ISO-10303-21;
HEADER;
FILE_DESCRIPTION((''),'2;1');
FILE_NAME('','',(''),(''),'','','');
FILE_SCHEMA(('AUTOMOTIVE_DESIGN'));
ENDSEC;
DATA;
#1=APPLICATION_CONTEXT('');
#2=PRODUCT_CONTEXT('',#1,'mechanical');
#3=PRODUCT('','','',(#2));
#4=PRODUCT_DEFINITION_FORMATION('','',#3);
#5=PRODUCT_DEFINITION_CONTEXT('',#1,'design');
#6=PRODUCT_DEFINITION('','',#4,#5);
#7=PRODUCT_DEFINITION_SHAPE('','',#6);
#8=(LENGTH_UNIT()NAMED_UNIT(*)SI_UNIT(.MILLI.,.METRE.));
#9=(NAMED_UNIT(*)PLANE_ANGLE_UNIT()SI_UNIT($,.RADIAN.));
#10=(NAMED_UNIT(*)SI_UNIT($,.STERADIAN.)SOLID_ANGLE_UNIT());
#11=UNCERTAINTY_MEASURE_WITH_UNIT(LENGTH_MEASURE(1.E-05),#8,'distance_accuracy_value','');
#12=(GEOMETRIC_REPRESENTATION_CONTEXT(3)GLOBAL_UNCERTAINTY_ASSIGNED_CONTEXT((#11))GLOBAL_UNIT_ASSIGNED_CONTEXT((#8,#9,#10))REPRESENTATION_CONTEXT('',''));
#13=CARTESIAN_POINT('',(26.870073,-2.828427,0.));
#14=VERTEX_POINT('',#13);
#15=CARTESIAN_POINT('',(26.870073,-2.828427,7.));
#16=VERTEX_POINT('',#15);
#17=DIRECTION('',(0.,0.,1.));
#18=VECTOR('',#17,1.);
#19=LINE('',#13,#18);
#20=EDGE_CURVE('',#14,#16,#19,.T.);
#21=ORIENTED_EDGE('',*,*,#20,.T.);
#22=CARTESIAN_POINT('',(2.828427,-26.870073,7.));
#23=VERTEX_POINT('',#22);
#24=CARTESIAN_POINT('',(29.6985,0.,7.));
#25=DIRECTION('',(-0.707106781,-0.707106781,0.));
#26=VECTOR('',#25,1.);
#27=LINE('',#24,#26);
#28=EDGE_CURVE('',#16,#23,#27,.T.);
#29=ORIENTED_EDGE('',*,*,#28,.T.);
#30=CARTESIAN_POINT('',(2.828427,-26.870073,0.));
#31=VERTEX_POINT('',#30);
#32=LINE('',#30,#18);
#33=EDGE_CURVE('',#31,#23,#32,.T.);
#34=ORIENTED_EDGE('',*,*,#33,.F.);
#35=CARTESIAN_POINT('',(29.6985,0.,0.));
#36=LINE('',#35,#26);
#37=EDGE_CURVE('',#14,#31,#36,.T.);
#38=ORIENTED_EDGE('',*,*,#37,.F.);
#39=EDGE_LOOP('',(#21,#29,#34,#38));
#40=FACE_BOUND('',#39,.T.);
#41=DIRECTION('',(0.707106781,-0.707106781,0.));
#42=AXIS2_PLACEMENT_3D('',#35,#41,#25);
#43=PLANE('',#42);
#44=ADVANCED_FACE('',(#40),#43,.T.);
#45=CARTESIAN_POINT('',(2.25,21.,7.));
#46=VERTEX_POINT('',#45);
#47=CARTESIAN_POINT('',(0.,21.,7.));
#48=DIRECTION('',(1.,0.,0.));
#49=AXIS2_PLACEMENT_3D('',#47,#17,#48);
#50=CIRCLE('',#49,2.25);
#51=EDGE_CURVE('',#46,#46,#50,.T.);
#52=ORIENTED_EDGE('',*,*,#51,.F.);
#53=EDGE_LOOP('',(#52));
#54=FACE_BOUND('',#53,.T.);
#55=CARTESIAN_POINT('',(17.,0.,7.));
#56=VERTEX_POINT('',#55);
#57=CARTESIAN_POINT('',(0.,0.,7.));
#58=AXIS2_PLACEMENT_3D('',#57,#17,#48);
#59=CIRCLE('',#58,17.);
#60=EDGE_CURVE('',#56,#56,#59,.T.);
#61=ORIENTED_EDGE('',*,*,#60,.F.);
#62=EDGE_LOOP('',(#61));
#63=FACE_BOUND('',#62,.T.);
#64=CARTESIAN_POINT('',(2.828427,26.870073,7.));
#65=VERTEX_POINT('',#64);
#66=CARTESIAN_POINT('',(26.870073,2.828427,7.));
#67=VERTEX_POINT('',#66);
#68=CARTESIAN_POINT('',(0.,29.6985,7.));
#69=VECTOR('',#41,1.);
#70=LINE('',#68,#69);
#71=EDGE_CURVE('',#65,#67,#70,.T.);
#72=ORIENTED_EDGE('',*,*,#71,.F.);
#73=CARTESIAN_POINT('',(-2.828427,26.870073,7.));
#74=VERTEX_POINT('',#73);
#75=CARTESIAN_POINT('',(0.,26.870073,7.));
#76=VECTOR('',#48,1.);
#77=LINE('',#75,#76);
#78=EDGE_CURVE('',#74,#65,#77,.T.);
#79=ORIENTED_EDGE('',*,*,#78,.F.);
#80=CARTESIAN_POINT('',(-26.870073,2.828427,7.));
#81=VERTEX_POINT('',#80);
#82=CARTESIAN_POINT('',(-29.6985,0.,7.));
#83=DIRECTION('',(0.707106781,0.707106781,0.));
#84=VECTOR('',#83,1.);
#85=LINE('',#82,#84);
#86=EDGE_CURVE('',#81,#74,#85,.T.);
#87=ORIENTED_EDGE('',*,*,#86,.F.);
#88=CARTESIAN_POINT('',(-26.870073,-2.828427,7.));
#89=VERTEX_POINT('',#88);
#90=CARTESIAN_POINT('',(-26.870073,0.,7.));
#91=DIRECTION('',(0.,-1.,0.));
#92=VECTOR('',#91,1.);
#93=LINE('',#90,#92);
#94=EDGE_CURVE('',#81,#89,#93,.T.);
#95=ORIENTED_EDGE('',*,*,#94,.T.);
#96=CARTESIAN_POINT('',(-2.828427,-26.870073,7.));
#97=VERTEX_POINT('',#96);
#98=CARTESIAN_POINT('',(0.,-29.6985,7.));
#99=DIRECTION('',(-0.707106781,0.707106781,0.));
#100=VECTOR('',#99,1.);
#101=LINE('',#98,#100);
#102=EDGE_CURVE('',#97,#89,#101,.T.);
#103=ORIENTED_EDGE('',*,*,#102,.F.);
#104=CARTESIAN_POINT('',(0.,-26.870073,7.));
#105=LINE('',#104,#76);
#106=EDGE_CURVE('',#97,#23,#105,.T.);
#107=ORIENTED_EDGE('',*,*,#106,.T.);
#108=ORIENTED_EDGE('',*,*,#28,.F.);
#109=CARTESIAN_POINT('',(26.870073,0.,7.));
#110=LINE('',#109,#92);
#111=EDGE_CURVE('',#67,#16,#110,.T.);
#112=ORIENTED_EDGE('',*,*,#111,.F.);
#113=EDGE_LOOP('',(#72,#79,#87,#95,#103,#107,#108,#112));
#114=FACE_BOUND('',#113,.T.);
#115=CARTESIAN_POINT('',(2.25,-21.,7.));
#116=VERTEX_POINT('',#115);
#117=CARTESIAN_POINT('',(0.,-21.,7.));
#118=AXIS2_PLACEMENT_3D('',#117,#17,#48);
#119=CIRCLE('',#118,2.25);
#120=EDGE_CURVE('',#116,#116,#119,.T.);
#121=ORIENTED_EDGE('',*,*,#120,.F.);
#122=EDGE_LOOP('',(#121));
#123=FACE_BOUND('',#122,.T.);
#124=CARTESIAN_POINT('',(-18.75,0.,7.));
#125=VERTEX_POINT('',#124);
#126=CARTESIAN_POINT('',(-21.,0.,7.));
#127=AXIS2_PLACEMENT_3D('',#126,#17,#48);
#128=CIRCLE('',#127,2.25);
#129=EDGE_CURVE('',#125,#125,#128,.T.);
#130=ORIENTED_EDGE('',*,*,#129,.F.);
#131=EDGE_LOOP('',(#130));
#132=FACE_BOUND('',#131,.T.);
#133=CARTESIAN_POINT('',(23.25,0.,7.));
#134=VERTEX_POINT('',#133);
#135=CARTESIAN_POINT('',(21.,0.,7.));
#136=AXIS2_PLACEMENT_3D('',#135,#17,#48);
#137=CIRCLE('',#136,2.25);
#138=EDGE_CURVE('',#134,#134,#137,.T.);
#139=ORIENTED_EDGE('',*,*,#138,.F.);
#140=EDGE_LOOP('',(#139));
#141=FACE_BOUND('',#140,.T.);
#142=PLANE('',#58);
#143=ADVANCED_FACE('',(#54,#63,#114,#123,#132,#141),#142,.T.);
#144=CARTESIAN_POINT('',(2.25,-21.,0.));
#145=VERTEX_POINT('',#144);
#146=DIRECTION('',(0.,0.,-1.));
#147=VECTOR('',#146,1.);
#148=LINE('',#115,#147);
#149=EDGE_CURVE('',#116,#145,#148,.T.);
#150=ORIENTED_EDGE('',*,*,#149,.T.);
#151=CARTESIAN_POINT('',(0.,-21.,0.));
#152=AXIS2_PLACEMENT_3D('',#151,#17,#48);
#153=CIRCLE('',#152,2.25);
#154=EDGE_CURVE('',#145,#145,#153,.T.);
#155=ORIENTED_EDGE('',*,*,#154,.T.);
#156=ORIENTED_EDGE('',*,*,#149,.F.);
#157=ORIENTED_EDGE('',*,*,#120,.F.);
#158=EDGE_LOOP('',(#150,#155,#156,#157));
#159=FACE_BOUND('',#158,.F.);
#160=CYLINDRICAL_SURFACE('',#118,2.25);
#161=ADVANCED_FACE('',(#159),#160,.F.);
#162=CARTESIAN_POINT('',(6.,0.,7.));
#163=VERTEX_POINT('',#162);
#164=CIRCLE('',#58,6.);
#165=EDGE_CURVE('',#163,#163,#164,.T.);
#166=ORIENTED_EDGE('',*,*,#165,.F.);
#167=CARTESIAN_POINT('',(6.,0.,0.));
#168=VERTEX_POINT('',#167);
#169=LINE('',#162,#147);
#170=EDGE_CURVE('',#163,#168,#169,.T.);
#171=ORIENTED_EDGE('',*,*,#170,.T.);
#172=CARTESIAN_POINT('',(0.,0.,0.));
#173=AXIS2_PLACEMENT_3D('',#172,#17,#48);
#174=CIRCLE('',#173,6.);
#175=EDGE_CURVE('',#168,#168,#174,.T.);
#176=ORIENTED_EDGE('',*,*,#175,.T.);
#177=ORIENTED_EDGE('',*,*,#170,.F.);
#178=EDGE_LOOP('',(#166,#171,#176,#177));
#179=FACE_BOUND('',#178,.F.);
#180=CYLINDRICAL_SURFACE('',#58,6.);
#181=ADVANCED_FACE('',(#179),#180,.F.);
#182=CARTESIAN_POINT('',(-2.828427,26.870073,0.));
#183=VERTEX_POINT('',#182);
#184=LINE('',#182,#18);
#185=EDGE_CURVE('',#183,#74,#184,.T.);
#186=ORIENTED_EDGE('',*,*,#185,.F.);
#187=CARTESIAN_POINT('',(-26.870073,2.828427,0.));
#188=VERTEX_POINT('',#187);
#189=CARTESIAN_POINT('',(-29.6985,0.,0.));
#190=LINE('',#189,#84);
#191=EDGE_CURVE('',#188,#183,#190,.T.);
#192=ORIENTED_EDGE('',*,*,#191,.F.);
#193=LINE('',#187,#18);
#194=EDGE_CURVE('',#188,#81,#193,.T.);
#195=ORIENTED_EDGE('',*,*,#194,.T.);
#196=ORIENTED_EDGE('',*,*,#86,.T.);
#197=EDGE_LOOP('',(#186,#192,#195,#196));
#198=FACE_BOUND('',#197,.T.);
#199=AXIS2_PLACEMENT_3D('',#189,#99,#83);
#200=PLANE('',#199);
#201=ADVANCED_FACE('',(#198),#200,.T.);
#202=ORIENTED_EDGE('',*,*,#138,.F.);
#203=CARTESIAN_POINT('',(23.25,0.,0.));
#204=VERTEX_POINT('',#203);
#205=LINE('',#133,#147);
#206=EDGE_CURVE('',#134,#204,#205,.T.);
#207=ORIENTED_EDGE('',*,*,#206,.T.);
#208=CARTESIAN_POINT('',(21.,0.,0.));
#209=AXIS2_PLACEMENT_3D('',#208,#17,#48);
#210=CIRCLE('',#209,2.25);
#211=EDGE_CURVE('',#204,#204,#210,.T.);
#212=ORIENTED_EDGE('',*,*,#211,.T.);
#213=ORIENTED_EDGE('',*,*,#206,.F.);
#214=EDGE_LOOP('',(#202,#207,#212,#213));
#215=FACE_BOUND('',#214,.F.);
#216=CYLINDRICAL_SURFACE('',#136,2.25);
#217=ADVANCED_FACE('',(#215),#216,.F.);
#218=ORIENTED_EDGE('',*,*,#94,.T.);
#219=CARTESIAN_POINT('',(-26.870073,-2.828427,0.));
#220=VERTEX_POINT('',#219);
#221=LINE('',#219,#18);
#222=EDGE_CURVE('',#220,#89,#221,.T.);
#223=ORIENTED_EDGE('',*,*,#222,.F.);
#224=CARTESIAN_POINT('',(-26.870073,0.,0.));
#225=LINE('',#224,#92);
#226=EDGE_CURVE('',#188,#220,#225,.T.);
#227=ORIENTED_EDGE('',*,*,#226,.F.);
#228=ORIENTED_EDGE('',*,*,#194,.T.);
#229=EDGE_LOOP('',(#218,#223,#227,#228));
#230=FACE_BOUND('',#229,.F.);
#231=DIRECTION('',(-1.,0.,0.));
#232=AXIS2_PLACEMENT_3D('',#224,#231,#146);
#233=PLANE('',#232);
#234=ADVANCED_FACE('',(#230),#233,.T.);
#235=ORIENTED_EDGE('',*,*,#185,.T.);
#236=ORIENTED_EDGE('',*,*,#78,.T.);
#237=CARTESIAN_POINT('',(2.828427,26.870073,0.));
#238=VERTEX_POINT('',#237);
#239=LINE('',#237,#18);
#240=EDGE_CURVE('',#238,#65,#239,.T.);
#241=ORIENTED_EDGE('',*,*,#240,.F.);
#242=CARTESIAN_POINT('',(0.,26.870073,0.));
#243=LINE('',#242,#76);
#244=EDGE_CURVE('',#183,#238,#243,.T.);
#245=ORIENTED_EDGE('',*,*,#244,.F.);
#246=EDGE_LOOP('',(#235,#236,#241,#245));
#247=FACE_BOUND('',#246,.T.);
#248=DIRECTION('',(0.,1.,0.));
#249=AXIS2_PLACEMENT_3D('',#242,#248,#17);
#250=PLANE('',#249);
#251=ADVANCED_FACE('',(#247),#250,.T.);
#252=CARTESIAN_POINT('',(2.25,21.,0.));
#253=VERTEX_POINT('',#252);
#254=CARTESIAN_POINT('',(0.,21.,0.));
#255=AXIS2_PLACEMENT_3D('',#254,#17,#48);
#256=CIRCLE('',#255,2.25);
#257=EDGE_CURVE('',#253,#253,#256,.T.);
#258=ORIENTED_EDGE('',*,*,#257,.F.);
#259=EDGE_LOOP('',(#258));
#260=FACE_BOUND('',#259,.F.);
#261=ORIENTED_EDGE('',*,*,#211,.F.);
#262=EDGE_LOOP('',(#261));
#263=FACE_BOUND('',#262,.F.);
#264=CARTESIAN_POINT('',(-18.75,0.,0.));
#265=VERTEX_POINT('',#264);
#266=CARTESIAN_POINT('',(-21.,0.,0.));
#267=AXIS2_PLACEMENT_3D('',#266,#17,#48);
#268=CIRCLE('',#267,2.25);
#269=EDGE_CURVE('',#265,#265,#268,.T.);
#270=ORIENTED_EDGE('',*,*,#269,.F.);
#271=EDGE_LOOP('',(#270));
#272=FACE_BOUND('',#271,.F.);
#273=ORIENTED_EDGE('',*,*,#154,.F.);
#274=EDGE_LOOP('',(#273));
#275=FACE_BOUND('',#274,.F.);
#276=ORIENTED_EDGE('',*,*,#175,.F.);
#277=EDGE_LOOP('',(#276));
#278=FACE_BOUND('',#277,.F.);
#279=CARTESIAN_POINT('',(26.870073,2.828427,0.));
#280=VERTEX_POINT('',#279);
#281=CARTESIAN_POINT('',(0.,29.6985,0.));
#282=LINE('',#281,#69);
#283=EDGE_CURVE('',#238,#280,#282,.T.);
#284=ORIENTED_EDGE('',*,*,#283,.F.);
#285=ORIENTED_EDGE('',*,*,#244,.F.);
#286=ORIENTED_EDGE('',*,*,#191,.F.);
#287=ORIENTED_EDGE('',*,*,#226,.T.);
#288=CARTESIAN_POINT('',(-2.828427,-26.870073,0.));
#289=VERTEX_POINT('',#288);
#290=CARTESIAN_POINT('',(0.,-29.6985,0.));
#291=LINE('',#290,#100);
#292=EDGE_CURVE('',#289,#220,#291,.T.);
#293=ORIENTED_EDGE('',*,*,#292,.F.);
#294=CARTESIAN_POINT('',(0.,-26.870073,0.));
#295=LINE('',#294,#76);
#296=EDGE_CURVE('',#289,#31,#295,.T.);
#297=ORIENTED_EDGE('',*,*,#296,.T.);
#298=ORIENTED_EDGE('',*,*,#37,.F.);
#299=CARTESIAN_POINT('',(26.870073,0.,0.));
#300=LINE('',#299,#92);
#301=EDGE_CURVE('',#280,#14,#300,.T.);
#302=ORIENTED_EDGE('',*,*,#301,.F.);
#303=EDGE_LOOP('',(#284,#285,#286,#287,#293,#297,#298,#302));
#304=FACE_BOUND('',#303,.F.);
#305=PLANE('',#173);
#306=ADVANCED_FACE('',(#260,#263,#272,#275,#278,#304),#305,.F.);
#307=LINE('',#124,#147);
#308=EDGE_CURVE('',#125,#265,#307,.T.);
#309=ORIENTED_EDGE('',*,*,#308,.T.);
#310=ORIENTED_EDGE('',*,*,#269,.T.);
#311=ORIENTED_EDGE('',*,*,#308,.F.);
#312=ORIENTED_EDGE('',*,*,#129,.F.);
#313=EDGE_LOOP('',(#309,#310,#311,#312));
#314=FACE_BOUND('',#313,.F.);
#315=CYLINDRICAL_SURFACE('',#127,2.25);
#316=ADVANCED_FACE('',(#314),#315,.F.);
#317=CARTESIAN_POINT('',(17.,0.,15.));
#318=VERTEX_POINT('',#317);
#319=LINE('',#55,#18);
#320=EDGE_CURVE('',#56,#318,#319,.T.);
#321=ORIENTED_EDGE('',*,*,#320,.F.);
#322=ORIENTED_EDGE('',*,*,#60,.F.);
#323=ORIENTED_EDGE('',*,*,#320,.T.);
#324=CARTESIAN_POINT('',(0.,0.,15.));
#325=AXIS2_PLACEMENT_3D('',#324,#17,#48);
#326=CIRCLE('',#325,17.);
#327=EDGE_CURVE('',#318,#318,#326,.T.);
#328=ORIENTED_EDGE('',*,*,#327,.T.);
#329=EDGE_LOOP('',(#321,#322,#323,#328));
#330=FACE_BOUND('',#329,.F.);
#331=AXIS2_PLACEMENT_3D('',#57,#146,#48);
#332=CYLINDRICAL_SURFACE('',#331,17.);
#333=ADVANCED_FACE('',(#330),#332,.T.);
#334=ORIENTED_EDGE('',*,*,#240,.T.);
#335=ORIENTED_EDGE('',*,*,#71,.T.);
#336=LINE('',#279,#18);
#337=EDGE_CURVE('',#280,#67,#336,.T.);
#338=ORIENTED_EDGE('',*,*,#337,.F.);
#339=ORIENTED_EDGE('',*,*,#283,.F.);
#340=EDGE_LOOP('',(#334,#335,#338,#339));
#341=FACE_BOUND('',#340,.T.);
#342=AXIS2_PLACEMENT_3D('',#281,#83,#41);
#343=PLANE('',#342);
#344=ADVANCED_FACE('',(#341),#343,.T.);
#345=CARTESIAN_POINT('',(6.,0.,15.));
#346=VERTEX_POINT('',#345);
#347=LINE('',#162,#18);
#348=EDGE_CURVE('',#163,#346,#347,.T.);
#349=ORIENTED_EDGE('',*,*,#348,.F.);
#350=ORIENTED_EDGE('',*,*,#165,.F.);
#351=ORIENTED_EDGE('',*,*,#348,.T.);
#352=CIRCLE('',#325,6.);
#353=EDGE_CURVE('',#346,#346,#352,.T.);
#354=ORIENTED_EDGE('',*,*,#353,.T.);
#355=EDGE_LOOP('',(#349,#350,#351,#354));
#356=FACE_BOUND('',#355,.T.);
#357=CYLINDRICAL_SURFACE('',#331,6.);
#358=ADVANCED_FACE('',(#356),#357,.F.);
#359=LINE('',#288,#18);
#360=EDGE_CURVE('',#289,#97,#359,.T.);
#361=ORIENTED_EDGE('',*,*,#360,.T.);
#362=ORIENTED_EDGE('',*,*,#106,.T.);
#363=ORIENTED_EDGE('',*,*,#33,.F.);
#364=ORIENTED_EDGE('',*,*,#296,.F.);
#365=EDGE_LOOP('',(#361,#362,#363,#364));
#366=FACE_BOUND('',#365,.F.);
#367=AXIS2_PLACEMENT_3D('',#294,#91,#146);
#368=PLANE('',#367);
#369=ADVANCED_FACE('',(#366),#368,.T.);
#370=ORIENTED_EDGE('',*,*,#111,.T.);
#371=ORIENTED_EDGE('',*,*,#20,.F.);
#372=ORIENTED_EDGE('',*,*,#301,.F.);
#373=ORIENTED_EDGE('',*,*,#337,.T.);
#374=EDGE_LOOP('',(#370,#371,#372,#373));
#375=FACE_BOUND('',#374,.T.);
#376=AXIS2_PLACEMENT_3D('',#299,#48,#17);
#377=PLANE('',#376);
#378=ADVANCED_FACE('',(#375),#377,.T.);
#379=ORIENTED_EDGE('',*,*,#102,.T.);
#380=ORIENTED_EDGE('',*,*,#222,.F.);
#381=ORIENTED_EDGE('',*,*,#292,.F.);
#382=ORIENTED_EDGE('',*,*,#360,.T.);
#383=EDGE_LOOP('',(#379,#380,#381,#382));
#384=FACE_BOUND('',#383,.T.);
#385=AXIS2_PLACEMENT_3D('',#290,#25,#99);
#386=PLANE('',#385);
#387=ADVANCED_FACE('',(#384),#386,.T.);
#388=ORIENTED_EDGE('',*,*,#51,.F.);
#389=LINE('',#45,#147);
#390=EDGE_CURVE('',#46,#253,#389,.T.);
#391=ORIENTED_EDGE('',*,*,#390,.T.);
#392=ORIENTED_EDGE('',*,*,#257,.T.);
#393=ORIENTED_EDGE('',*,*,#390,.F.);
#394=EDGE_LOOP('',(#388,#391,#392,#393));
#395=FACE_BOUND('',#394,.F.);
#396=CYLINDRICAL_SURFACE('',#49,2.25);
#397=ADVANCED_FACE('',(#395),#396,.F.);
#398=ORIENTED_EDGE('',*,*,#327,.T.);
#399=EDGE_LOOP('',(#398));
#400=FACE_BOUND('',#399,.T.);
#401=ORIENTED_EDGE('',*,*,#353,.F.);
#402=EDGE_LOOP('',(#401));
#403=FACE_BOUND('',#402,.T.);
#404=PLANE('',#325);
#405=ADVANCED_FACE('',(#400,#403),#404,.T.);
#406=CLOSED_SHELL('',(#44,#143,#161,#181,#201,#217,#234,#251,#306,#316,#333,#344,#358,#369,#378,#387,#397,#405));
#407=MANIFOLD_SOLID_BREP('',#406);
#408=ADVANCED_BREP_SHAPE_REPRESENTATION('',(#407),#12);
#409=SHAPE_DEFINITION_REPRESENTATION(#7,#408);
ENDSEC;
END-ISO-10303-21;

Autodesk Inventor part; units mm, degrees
ref_plane "YZ Plane" through (0, 0, 0) normal (1, 0, 0) x (0, 1, 0)
ref_plane "XZ Plane" through (0, 0, 0) normal (0, 1, 0) x (-1, 0, 0)
ref_plane "XY Plane" through (0, 0, 0) normal (0, 0, 1) x (1, 0, 0)
sketch "Sketch1" plane through (0, 0, 0) normal (0, 0, 1) x (1, 0, 0)
  circle A0 centre (0, 0) radius 17 construction
  circle A1 centre (0, 0) radius 6 construction
  line L0 (-29.6985, 0) -> (0, 29.6985)
  line L1 (0, 29.6985) -> (29.6985, 0)
  line L2 (29.6985, 0) -> (0, -29.6985)
  line L3 (0, -29.6985) -> (-29.6985, 0)
  line L4 (-29.6985, 0) -> (29.6985, 0) construction
  line L5 (0, 29.6985) -> (0, -29.6985) construction
  point P0 (0, 21)
  point P1 (21, 0)
  point P2 (-21, 0)
  point P3 (0, -21)
  dimension "d0" = 34
  dimension "d1" = 12
  dimension "d2" = 21
  dimension "d3" = 21
  dimension "d4" = 21
  dimension "d5" = 21
  dimension "d6" = 21
  dimension "d7" = 42
  dimension "d8" = 42
extrude "Extrusion1" add sketch "Sketch1" along normal blind 7
sketch "Sketch2" plane through (0, 0, 7) normal (0, 0, 1) x (1, 0, 0)
  circle A0 centre (0, 0) radius 6
  circle A1 centre (0, 0) radius 18
  circle A2 centre (0, 21) radius 2.25
  circle A3 centre (21, 0) radius 2.25
  circle A4 centre (0, -21) radius 2.25
  circle A5 centre (-21, 0) radius 2.25
  dimension "d11" = 12
  dimension "d12" = 36
  dimension "d13" = 4.5
  dimension "d14" = 4.5
  dimension "d15" = 4.5
  dimension "d16" = 4.5
  dimension "d17" = 21
  dimension "d18" = 21
  dimension "d19" = 21
  dimension "d20" = 21
extrude "Extrusion2" cut sketch "Sketch2" against normal blind 20 contours A2 | A3 | A4 | A5
sketch "Sketch3" plane through (0, 0, 7) normal (0, 0, 1) x (1, 0, 0)
  circle A0 centre (0, 0) radius 17
  circle A1 centre (0, 0) radius 6
  dimension "d23" = 34
  dimension "d24" = 12
extrude "Extrusion3" cut sketch "Sketch3" against normal blind 20 contours A1
sketch "Sketch4" plane through (0, 0, 7) normal (0, 0, 1) x (1, 0, 0)
  circle A0 centre (0, 0) radius 6 projected
  circle A1 centre (0, 0) radius 17
  dimension "d27" = 34
extrude "Extrusion4" add sketch "Sketch4" along normal blind 8
chamfer "Chamfer1" distance 4 angle 45 1 edges at (0, 29.6985, 3.5)
chamfer "Chamfer2" distance 4 angle 45 1 edges at (29.6985, 0, 3.5)
chamfer "Chamfer3" distance 4 angle 45 1 edges at (-29.6985, 0, 3.5)
chamfer "Chamfer4" distance 4 angle 45 1 edges at (0, -29.6985, 3.5)
equation "\"d2\" = d3"
equation "\"d4\" = d3"
equation "\"d5\" = d3"
equation "\"d14\" = d13"
equation "\"d15\" = d13"
equation "\"d16\" = d13"
equation "\"d18\" = d17"
equation "\"d19\" = d17"
equation "\"d20\" = d17"
properties part number "ff12"
